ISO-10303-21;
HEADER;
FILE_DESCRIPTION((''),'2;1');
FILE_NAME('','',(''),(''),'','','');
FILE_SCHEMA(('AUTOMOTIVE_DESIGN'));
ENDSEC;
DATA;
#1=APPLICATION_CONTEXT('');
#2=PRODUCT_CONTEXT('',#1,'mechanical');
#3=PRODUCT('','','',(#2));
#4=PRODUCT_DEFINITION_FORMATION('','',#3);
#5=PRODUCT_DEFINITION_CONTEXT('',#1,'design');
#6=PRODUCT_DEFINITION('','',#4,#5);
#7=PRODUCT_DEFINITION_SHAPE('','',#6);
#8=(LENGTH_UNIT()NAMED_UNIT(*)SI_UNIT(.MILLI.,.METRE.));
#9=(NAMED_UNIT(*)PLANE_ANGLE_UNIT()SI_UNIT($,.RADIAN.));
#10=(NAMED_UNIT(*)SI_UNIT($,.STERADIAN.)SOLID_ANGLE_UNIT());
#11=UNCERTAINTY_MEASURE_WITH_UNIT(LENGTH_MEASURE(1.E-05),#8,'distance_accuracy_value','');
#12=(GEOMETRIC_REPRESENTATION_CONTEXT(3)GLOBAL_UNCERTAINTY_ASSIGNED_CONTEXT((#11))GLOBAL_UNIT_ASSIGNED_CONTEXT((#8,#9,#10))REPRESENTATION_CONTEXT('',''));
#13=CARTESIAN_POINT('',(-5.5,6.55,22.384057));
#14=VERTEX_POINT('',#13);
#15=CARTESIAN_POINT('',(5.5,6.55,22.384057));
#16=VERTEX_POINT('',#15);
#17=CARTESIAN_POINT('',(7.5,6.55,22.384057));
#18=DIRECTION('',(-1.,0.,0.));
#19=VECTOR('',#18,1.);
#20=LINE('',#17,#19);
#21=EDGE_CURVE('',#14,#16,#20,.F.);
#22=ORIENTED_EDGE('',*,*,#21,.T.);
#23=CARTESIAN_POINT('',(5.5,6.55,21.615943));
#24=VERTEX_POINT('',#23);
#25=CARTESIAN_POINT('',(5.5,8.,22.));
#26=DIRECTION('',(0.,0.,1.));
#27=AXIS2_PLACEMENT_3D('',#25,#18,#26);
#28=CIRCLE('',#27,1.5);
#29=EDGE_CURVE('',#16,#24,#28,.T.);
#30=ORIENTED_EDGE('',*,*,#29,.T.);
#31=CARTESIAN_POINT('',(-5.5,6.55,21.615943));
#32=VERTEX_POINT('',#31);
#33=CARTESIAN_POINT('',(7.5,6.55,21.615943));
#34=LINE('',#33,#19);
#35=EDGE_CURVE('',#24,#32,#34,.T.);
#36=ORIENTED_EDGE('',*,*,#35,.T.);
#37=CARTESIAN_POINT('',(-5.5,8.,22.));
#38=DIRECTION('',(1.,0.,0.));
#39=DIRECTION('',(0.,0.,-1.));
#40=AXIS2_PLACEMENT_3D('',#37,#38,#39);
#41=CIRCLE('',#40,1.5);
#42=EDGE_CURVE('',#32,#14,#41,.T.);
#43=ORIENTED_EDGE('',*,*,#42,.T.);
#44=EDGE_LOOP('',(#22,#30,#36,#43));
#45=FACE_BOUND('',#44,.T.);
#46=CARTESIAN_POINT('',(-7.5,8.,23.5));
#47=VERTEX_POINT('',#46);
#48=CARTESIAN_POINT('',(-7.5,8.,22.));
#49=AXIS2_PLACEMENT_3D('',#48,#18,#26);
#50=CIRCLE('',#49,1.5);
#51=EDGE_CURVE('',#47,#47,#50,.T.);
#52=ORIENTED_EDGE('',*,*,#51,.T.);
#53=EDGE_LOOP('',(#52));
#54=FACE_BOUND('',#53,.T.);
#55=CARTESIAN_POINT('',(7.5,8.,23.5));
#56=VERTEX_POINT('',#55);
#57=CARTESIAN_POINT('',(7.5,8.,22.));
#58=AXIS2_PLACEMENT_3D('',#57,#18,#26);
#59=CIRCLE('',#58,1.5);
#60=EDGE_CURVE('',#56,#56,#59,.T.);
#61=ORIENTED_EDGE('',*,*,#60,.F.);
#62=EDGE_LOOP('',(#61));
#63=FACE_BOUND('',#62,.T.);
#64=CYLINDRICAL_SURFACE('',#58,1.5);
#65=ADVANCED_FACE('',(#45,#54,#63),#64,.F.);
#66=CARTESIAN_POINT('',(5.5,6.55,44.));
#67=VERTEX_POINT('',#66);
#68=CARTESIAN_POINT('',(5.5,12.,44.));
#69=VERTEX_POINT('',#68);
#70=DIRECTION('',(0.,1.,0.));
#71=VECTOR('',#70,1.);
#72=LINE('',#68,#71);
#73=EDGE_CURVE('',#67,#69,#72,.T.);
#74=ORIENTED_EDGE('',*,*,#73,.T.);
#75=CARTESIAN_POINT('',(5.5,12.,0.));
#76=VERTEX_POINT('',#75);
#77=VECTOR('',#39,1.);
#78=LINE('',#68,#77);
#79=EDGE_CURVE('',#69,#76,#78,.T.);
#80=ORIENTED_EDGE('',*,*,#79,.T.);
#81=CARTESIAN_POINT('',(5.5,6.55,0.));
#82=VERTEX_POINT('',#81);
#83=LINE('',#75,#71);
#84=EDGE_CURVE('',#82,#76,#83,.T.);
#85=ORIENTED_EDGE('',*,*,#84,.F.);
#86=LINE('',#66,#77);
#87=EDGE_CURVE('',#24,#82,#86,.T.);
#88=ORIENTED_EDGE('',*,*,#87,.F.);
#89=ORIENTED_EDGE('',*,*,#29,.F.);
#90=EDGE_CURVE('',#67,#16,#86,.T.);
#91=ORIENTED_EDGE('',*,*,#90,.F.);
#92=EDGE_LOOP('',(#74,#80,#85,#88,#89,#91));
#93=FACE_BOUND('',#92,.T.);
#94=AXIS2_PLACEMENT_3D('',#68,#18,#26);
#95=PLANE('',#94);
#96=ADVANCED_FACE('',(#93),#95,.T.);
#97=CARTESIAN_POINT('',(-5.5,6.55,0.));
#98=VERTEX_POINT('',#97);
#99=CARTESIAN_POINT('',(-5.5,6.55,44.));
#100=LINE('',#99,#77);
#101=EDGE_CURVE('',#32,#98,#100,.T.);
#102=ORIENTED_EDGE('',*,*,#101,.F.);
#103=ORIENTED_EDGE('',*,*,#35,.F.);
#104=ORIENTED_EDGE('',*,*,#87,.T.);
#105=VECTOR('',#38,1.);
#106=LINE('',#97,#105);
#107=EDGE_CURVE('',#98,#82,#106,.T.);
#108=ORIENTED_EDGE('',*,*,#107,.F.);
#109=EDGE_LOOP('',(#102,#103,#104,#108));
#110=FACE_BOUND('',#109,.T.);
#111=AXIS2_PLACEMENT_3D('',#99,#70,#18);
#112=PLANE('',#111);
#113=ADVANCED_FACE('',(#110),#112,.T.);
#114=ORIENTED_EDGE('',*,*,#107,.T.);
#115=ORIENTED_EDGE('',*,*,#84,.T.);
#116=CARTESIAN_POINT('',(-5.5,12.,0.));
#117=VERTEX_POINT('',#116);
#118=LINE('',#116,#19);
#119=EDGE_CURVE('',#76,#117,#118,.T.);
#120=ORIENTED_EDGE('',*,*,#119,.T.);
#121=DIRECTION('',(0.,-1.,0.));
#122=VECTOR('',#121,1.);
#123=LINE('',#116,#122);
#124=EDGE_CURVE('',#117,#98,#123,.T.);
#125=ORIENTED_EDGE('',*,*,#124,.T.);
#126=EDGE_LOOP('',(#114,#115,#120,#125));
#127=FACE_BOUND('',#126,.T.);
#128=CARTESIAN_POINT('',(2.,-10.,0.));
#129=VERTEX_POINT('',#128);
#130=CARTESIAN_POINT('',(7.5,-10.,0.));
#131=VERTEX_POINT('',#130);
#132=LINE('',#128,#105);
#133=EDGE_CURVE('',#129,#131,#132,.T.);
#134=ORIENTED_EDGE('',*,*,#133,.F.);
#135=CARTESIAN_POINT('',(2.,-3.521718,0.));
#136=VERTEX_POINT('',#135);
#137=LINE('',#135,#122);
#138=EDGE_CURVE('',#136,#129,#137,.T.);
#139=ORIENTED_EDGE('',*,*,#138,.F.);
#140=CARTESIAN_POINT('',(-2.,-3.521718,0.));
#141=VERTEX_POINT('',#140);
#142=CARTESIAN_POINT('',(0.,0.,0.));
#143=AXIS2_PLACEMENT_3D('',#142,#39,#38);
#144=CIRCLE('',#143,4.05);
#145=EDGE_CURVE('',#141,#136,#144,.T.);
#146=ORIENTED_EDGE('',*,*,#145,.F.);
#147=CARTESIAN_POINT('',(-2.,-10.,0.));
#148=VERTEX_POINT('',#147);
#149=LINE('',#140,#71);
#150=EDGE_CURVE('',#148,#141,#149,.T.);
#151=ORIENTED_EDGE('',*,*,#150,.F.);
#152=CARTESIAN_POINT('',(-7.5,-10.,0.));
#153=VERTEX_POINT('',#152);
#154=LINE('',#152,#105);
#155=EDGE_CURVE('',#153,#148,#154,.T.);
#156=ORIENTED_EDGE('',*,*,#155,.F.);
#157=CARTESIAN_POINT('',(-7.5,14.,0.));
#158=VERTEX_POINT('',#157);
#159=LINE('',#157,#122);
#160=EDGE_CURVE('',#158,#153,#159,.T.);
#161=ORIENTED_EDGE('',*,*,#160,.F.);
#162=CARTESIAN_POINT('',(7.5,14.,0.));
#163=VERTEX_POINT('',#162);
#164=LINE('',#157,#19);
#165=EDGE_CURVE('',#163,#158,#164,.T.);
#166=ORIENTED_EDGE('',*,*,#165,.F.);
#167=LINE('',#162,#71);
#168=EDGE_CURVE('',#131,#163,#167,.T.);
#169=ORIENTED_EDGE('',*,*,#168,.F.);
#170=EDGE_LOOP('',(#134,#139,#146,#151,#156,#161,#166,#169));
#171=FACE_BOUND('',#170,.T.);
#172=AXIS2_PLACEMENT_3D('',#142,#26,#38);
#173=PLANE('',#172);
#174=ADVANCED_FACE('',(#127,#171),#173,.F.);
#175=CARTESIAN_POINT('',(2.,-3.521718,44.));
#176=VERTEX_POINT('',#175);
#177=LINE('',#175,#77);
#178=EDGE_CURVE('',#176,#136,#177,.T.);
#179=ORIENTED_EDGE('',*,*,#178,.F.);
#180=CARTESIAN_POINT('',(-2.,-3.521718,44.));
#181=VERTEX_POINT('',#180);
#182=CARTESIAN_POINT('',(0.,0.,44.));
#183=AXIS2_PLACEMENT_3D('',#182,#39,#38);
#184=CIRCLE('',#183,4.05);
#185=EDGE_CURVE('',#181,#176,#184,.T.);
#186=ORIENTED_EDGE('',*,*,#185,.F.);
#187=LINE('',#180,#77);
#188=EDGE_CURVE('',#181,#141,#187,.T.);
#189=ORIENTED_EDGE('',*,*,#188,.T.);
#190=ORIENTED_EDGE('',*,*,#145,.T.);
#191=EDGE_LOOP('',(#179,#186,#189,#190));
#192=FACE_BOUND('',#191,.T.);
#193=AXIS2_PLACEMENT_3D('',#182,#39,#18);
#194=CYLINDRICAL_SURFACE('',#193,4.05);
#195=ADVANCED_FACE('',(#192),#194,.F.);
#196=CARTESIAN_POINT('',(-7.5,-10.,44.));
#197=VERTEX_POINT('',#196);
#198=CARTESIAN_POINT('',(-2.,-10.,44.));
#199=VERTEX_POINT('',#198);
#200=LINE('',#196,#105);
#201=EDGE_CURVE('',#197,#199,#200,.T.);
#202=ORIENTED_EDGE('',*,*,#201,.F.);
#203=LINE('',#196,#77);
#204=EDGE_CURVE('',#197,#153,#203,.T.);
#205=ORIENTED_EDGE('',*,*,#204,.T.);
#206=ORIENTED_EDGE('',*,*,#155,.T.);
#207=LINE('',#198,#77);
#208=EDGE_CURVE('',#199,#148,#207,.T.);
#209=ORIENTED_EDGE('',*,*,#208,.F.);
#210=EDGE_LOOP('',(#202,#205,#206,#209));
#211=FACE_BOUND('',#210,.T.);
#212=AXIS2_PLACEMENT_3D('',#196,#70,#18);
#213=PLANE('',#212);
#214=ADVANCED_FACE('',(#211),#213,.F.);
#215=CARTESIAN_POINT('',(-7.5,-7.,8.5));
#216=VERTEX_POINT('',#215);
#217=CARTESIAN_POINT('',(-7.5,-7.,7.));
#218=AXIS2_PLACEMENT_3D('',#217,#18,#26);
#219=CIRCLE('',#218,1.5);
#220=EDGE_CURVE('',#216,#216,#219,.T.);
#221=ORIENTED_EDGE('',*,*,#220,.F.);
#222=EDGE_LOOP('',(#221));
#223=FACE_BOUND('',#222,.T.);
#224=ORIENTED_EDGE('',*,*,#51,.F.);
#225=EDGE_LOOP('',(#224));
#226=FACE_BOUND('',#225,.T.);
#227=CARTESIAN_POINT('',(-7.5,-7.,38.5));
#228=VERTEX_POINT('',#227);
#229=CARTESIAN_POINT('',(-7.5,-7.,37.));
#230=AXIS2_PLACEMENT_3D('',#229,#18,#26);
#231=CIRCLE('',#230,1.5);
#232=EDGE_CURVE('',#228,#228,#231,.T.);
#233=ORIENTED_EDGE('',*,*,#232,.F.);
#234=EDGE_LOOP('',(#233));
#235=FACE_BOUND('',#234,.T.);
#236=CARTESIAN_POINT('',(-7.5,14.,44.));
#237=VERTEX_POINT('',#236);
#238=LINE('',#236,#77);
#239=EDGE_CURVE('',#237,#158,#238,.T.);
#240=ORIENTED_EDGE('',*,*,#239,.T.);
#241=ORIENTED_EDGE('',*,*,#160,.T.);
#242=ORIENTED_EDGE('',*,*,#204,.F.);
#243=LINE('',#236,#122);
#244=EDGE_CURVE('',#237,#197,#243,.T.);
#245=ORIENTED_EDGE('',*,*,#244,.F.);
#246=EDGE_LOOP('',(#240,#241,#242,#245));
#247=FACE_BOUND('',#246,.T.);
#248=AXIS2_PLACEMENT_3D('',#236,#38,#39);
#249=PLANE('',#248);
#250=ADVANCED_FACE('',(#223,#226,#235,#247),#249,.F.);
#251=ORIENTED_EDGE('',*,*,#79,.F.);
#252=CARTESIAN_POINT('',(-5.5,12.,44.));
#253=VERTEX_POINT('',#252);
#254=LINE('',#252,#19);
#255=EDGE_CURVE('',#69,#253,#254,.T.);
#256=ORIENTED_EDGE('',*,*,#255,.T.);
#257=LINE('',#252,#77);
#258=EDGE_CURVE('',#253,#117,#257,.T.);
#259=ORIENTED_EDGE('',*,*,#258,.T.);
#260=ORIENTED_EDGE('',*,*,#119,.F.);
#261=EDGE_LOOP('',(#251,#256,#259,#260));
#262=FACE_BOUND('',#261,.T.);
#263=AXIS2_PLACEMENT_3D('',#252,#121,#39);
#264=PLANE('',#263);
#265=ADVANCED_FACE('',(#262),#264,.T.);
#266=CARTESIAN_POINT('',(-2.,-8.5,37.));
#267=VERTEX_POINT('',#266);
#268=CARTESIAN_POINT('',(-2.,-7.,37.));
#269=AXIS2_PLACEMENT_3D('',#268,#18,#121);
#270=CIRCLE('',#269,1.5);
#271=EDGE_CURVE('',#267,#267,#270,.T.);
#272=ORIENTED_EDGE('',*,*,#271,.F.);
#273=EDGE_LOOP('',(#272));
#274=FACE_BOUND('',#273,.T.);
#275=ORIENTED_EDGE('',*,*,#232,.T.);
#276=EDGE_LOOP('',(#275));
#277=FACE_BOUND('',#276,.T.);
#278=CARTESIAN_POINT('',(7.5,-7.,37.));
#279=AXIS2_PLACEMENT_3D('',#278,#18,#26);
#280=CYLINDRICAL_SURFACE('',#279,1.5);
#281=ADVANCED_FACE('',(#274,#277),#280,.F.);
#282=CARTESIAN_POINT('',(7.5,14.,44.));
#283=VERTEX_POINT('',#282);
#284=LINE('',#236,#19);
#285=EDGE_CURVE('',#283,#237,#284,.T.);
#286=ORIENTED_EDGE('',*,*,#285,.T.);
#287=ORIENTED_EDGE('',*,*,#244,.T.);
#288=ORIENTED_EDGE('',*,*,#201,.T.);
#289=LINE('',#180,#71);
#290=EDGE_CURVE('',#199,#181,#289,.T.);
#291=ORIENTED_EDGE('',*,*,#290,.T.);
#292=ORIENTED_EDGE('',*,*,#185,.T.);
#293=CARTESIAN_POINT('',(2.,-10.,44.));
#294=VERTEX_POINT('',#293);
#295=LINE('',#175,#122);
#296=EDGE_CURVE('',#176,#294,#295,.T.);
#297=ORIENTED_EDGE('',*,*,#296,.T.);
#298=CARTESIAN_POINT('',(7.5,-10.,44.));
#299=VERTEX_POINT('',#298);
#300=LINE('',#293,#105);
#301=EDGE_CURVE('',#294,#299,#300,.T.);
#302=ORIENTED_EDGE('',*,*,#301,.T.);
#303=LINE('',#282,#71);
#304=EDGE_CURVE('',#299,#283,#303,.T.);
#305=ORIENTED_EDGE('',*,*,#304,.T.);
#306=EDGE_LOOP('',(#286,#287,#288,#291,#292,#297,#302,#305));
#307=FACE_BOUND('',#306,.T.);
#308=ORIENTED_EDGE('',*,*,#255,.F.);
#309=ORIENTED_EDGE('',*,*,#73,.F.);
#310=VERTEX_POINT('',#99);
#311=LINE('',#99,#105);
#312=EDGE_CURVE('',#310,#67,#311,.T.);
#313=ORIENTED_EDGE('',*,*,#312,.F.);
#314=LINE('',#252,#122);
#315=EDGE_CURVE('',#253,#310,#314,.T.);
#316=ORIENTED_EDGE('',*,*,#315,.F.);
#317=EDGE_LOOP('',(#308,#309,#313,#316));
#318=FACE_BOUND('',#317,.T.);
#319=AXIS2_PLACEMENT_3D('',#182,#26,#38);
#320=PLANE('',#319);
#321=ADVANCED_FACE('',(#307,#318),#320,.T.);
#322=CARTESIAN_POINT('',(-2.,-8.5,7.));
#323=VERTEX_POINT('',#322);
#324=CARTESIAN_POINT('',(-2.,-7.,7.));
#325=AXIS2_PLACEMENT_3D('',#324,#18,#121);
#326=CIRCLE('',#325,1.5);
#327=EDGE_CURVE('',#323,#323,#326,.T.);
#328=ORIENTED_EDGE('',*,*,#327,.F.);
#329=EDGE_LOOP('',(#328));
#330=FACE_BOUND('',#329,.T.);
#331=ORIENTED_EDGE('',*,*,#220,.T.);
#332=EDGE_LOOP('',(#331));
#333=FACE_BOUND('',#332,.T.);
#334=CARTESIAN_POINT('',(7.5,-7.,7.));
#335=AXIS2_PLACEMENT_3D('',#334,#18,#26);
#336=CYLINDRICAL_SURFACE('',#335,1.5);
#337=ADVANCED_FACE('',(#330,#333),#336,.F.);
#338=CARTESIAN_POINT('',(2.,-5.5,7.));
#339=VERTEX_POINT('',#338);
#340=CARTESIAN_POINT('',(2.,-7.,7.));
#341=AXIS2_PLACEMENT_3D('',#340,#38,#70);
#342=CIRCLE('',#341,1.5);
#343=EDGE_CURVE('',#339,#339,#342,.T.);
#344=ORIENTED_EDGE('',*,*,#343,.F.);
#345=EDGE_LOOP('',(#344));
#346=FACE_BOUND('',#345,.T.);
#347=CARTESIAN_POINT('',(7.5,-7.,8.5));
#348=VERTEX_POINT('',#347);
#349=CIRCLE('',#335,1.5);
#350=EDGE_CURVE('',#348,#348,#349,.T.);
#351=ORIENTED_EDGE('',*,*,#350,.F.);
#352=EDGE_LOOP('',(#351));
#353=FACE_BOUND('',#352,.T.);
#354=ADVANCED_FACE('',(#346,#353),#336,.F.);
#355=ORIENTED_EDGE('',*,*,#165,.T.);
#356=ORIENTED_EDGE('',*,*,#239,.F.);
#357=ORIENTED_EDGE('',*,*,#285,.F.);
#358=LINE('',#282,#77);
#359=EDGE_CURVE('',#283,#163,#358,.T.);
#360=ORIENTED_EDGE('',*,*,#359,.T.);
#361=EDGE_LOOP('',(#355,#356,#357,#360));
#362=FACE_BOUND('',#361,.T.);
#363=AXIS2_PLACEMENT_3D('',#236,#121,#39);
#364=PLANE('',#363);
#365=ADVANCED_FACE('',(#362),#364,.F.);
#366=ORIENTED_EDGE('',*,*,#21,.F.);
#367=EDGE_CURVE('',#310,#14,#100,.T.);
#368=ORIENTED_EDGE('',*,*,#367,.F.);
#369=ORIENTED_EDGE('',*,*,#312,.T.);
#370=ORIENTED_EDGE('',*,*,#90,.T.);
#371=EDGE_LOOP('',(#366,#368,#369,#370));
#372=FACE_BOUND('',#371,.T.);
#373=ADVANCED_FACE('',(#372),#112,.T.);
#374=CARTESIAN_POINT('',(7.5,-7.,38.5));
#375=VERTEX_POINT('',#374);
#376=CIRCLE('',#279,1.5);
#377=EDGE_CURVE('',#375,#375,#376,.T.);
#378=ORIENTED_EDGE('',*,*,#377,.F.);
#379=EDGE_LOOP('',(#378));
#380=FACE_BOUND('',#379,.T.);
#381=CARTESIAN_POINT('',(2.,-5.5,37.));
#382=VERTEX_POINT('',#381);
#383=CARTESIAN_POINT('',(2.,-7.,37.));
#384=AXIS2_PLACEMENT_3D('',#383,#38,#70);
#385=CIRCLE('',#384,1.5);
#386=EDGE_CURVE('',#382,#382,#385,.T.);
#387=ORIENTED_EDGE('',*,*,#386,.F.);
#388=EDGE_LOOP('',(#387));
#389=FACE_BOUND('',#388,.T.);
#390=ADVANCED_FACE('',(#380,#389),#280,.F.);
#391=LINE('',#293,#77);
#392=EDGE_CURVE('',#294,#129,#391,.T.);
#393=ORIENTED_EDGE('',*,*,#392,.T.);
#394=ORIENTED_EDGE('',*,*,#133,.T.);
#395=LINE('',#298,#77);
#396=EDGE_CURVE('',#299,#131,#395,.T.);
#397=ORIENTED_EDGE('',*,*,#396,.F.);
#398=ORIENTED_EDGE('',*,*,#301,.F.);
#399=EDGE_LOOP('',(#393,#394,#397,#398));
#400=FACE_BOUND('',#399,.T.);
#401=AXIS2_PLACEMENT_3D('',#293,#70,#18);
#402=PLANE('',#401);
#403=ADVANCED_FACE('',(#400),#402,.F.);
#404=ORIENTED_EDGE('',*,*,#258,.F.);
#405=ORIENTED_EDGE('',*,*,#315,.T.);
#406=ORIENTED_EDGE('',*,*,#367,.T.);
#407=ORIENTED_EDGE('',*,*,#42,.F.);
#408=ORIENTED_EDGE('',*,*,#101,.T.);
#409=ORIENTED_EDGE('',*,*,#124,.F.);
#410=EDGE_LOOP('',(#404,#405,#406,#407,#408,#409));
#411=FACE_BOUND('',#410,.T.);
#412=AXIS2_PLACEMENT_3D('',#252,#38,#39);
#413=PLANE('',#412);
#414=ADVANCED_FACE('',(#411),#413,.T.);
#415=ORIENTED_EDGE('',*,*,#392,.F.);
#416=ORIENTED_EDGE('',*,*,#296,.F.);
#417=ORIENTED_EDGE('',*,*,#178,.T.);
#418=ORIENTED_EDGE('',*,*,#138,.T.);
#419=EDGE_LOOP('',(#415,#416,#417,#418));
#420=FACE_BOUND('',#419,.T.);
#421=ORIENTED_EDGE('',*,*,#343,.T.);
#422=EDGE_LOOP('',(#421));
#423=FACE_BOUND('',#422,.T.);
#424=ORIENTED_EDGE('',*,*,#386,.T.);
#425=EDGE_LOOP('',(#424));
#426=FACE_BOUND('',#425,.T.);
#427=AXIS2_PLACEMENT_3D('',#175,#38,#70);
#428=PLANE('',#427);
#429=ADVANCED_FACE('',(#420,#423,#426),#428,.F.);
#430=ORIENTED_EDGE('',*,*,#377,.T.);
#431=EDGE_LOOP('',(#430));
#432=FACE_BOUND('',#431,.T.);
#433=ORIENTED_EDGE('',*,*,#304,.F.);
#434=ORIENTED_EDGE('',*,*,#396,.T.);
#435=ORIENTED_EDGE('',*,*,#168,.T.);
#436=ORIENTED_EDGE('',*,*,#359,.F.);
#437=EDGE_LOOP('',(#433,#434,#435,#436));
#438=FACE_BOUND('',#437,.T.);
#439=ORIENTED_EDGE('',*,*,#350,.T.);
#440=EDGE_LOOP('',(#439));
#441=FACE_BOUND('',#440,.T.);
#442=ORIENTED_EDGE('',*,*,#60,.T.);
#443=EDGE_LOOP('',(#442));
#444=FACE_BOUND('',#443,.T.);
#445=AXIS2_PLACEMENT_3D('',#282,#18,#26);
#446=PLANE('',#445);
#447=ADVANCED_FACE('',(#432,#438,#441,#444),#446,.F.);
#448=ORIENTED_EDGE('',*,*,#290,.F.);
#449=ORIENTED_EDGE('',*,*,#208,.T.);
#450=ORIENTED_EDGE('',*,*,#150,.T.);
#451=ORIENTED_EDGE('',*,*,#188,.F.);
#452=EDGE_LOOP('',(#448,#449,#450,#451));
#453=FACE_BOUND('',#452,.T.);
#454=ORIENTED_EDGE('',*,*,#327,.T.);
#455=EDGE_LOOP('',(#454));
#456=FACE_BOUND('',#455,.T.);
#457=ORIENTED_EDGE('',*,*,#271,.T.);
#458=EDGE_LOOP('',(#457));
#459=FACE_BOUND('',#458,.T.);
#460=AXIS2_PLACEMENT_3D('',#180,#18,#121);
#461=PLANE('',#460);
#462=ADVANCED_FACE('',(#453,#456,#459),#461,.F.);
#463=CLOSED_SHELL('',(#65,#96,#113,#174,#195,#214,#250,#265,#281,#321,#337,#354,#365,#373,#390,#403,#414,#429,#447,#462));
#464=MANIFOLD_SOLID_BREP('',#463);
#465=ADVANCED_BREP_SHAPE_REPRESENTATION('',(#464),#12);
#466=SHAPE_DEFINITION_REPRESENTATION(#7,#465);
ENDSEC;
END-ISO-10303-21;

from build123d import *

# Parameters (mm, degrees)
SKETCH_1_W          = 11
SKETCH_1_H          = 5.45
EXTRUDE_1_DEPTH     = 44
SKETCH_3_R          = 1.5
CUT_EXTRUDE_2_DEPTH = 49.548944376


with BuildPart() as part:
    # 草图1 → 凸台-拉伸1 (new body)
    with BuildSketch(Plane.XY):
        with BuildLine():
            Line((2, -10), (7.5, -10))
            Line((7.5, -10), (7.5, 14))
            Line((7.5, 14), (-7.5, 14))
            Line((-7.5, 14), (-7.5, -10))
            Line((-7.5, -10), (-2, -10))
            Line((-2, -10), (-2, -3.521718331))
            ThreePointArc((-2, -3.521718331), (0, 4.05), (2, -3.521718331))
            Line((2, -3.521718331), (2, -10))
        make_face()
        with Locations((0, 9.275)):
            Rectangle(SKETCH_1_W, SKETCH_1_H, mode=Mode.SUBTRACT)
    extrude(amount=EXTRUDE_1_DEPTH)

    # 草图3 → 切除-拉伸2 (cut, through all)
    with BuildSketch(Plane.ZY.offset(7.5)):
        with Locations((7, -7)):
            Circle(SKETCH_3_R)
        with Locations((37, -7)):
            Circle(SKETCH_3_R)
        with Locations((22, 8)):
            Circle(SKETCH_3_R)
    extrude(amount=-CUT_EXTRUDE_2_DEPTH, mode=Mode.SUBTRACT)


solid = part.part
